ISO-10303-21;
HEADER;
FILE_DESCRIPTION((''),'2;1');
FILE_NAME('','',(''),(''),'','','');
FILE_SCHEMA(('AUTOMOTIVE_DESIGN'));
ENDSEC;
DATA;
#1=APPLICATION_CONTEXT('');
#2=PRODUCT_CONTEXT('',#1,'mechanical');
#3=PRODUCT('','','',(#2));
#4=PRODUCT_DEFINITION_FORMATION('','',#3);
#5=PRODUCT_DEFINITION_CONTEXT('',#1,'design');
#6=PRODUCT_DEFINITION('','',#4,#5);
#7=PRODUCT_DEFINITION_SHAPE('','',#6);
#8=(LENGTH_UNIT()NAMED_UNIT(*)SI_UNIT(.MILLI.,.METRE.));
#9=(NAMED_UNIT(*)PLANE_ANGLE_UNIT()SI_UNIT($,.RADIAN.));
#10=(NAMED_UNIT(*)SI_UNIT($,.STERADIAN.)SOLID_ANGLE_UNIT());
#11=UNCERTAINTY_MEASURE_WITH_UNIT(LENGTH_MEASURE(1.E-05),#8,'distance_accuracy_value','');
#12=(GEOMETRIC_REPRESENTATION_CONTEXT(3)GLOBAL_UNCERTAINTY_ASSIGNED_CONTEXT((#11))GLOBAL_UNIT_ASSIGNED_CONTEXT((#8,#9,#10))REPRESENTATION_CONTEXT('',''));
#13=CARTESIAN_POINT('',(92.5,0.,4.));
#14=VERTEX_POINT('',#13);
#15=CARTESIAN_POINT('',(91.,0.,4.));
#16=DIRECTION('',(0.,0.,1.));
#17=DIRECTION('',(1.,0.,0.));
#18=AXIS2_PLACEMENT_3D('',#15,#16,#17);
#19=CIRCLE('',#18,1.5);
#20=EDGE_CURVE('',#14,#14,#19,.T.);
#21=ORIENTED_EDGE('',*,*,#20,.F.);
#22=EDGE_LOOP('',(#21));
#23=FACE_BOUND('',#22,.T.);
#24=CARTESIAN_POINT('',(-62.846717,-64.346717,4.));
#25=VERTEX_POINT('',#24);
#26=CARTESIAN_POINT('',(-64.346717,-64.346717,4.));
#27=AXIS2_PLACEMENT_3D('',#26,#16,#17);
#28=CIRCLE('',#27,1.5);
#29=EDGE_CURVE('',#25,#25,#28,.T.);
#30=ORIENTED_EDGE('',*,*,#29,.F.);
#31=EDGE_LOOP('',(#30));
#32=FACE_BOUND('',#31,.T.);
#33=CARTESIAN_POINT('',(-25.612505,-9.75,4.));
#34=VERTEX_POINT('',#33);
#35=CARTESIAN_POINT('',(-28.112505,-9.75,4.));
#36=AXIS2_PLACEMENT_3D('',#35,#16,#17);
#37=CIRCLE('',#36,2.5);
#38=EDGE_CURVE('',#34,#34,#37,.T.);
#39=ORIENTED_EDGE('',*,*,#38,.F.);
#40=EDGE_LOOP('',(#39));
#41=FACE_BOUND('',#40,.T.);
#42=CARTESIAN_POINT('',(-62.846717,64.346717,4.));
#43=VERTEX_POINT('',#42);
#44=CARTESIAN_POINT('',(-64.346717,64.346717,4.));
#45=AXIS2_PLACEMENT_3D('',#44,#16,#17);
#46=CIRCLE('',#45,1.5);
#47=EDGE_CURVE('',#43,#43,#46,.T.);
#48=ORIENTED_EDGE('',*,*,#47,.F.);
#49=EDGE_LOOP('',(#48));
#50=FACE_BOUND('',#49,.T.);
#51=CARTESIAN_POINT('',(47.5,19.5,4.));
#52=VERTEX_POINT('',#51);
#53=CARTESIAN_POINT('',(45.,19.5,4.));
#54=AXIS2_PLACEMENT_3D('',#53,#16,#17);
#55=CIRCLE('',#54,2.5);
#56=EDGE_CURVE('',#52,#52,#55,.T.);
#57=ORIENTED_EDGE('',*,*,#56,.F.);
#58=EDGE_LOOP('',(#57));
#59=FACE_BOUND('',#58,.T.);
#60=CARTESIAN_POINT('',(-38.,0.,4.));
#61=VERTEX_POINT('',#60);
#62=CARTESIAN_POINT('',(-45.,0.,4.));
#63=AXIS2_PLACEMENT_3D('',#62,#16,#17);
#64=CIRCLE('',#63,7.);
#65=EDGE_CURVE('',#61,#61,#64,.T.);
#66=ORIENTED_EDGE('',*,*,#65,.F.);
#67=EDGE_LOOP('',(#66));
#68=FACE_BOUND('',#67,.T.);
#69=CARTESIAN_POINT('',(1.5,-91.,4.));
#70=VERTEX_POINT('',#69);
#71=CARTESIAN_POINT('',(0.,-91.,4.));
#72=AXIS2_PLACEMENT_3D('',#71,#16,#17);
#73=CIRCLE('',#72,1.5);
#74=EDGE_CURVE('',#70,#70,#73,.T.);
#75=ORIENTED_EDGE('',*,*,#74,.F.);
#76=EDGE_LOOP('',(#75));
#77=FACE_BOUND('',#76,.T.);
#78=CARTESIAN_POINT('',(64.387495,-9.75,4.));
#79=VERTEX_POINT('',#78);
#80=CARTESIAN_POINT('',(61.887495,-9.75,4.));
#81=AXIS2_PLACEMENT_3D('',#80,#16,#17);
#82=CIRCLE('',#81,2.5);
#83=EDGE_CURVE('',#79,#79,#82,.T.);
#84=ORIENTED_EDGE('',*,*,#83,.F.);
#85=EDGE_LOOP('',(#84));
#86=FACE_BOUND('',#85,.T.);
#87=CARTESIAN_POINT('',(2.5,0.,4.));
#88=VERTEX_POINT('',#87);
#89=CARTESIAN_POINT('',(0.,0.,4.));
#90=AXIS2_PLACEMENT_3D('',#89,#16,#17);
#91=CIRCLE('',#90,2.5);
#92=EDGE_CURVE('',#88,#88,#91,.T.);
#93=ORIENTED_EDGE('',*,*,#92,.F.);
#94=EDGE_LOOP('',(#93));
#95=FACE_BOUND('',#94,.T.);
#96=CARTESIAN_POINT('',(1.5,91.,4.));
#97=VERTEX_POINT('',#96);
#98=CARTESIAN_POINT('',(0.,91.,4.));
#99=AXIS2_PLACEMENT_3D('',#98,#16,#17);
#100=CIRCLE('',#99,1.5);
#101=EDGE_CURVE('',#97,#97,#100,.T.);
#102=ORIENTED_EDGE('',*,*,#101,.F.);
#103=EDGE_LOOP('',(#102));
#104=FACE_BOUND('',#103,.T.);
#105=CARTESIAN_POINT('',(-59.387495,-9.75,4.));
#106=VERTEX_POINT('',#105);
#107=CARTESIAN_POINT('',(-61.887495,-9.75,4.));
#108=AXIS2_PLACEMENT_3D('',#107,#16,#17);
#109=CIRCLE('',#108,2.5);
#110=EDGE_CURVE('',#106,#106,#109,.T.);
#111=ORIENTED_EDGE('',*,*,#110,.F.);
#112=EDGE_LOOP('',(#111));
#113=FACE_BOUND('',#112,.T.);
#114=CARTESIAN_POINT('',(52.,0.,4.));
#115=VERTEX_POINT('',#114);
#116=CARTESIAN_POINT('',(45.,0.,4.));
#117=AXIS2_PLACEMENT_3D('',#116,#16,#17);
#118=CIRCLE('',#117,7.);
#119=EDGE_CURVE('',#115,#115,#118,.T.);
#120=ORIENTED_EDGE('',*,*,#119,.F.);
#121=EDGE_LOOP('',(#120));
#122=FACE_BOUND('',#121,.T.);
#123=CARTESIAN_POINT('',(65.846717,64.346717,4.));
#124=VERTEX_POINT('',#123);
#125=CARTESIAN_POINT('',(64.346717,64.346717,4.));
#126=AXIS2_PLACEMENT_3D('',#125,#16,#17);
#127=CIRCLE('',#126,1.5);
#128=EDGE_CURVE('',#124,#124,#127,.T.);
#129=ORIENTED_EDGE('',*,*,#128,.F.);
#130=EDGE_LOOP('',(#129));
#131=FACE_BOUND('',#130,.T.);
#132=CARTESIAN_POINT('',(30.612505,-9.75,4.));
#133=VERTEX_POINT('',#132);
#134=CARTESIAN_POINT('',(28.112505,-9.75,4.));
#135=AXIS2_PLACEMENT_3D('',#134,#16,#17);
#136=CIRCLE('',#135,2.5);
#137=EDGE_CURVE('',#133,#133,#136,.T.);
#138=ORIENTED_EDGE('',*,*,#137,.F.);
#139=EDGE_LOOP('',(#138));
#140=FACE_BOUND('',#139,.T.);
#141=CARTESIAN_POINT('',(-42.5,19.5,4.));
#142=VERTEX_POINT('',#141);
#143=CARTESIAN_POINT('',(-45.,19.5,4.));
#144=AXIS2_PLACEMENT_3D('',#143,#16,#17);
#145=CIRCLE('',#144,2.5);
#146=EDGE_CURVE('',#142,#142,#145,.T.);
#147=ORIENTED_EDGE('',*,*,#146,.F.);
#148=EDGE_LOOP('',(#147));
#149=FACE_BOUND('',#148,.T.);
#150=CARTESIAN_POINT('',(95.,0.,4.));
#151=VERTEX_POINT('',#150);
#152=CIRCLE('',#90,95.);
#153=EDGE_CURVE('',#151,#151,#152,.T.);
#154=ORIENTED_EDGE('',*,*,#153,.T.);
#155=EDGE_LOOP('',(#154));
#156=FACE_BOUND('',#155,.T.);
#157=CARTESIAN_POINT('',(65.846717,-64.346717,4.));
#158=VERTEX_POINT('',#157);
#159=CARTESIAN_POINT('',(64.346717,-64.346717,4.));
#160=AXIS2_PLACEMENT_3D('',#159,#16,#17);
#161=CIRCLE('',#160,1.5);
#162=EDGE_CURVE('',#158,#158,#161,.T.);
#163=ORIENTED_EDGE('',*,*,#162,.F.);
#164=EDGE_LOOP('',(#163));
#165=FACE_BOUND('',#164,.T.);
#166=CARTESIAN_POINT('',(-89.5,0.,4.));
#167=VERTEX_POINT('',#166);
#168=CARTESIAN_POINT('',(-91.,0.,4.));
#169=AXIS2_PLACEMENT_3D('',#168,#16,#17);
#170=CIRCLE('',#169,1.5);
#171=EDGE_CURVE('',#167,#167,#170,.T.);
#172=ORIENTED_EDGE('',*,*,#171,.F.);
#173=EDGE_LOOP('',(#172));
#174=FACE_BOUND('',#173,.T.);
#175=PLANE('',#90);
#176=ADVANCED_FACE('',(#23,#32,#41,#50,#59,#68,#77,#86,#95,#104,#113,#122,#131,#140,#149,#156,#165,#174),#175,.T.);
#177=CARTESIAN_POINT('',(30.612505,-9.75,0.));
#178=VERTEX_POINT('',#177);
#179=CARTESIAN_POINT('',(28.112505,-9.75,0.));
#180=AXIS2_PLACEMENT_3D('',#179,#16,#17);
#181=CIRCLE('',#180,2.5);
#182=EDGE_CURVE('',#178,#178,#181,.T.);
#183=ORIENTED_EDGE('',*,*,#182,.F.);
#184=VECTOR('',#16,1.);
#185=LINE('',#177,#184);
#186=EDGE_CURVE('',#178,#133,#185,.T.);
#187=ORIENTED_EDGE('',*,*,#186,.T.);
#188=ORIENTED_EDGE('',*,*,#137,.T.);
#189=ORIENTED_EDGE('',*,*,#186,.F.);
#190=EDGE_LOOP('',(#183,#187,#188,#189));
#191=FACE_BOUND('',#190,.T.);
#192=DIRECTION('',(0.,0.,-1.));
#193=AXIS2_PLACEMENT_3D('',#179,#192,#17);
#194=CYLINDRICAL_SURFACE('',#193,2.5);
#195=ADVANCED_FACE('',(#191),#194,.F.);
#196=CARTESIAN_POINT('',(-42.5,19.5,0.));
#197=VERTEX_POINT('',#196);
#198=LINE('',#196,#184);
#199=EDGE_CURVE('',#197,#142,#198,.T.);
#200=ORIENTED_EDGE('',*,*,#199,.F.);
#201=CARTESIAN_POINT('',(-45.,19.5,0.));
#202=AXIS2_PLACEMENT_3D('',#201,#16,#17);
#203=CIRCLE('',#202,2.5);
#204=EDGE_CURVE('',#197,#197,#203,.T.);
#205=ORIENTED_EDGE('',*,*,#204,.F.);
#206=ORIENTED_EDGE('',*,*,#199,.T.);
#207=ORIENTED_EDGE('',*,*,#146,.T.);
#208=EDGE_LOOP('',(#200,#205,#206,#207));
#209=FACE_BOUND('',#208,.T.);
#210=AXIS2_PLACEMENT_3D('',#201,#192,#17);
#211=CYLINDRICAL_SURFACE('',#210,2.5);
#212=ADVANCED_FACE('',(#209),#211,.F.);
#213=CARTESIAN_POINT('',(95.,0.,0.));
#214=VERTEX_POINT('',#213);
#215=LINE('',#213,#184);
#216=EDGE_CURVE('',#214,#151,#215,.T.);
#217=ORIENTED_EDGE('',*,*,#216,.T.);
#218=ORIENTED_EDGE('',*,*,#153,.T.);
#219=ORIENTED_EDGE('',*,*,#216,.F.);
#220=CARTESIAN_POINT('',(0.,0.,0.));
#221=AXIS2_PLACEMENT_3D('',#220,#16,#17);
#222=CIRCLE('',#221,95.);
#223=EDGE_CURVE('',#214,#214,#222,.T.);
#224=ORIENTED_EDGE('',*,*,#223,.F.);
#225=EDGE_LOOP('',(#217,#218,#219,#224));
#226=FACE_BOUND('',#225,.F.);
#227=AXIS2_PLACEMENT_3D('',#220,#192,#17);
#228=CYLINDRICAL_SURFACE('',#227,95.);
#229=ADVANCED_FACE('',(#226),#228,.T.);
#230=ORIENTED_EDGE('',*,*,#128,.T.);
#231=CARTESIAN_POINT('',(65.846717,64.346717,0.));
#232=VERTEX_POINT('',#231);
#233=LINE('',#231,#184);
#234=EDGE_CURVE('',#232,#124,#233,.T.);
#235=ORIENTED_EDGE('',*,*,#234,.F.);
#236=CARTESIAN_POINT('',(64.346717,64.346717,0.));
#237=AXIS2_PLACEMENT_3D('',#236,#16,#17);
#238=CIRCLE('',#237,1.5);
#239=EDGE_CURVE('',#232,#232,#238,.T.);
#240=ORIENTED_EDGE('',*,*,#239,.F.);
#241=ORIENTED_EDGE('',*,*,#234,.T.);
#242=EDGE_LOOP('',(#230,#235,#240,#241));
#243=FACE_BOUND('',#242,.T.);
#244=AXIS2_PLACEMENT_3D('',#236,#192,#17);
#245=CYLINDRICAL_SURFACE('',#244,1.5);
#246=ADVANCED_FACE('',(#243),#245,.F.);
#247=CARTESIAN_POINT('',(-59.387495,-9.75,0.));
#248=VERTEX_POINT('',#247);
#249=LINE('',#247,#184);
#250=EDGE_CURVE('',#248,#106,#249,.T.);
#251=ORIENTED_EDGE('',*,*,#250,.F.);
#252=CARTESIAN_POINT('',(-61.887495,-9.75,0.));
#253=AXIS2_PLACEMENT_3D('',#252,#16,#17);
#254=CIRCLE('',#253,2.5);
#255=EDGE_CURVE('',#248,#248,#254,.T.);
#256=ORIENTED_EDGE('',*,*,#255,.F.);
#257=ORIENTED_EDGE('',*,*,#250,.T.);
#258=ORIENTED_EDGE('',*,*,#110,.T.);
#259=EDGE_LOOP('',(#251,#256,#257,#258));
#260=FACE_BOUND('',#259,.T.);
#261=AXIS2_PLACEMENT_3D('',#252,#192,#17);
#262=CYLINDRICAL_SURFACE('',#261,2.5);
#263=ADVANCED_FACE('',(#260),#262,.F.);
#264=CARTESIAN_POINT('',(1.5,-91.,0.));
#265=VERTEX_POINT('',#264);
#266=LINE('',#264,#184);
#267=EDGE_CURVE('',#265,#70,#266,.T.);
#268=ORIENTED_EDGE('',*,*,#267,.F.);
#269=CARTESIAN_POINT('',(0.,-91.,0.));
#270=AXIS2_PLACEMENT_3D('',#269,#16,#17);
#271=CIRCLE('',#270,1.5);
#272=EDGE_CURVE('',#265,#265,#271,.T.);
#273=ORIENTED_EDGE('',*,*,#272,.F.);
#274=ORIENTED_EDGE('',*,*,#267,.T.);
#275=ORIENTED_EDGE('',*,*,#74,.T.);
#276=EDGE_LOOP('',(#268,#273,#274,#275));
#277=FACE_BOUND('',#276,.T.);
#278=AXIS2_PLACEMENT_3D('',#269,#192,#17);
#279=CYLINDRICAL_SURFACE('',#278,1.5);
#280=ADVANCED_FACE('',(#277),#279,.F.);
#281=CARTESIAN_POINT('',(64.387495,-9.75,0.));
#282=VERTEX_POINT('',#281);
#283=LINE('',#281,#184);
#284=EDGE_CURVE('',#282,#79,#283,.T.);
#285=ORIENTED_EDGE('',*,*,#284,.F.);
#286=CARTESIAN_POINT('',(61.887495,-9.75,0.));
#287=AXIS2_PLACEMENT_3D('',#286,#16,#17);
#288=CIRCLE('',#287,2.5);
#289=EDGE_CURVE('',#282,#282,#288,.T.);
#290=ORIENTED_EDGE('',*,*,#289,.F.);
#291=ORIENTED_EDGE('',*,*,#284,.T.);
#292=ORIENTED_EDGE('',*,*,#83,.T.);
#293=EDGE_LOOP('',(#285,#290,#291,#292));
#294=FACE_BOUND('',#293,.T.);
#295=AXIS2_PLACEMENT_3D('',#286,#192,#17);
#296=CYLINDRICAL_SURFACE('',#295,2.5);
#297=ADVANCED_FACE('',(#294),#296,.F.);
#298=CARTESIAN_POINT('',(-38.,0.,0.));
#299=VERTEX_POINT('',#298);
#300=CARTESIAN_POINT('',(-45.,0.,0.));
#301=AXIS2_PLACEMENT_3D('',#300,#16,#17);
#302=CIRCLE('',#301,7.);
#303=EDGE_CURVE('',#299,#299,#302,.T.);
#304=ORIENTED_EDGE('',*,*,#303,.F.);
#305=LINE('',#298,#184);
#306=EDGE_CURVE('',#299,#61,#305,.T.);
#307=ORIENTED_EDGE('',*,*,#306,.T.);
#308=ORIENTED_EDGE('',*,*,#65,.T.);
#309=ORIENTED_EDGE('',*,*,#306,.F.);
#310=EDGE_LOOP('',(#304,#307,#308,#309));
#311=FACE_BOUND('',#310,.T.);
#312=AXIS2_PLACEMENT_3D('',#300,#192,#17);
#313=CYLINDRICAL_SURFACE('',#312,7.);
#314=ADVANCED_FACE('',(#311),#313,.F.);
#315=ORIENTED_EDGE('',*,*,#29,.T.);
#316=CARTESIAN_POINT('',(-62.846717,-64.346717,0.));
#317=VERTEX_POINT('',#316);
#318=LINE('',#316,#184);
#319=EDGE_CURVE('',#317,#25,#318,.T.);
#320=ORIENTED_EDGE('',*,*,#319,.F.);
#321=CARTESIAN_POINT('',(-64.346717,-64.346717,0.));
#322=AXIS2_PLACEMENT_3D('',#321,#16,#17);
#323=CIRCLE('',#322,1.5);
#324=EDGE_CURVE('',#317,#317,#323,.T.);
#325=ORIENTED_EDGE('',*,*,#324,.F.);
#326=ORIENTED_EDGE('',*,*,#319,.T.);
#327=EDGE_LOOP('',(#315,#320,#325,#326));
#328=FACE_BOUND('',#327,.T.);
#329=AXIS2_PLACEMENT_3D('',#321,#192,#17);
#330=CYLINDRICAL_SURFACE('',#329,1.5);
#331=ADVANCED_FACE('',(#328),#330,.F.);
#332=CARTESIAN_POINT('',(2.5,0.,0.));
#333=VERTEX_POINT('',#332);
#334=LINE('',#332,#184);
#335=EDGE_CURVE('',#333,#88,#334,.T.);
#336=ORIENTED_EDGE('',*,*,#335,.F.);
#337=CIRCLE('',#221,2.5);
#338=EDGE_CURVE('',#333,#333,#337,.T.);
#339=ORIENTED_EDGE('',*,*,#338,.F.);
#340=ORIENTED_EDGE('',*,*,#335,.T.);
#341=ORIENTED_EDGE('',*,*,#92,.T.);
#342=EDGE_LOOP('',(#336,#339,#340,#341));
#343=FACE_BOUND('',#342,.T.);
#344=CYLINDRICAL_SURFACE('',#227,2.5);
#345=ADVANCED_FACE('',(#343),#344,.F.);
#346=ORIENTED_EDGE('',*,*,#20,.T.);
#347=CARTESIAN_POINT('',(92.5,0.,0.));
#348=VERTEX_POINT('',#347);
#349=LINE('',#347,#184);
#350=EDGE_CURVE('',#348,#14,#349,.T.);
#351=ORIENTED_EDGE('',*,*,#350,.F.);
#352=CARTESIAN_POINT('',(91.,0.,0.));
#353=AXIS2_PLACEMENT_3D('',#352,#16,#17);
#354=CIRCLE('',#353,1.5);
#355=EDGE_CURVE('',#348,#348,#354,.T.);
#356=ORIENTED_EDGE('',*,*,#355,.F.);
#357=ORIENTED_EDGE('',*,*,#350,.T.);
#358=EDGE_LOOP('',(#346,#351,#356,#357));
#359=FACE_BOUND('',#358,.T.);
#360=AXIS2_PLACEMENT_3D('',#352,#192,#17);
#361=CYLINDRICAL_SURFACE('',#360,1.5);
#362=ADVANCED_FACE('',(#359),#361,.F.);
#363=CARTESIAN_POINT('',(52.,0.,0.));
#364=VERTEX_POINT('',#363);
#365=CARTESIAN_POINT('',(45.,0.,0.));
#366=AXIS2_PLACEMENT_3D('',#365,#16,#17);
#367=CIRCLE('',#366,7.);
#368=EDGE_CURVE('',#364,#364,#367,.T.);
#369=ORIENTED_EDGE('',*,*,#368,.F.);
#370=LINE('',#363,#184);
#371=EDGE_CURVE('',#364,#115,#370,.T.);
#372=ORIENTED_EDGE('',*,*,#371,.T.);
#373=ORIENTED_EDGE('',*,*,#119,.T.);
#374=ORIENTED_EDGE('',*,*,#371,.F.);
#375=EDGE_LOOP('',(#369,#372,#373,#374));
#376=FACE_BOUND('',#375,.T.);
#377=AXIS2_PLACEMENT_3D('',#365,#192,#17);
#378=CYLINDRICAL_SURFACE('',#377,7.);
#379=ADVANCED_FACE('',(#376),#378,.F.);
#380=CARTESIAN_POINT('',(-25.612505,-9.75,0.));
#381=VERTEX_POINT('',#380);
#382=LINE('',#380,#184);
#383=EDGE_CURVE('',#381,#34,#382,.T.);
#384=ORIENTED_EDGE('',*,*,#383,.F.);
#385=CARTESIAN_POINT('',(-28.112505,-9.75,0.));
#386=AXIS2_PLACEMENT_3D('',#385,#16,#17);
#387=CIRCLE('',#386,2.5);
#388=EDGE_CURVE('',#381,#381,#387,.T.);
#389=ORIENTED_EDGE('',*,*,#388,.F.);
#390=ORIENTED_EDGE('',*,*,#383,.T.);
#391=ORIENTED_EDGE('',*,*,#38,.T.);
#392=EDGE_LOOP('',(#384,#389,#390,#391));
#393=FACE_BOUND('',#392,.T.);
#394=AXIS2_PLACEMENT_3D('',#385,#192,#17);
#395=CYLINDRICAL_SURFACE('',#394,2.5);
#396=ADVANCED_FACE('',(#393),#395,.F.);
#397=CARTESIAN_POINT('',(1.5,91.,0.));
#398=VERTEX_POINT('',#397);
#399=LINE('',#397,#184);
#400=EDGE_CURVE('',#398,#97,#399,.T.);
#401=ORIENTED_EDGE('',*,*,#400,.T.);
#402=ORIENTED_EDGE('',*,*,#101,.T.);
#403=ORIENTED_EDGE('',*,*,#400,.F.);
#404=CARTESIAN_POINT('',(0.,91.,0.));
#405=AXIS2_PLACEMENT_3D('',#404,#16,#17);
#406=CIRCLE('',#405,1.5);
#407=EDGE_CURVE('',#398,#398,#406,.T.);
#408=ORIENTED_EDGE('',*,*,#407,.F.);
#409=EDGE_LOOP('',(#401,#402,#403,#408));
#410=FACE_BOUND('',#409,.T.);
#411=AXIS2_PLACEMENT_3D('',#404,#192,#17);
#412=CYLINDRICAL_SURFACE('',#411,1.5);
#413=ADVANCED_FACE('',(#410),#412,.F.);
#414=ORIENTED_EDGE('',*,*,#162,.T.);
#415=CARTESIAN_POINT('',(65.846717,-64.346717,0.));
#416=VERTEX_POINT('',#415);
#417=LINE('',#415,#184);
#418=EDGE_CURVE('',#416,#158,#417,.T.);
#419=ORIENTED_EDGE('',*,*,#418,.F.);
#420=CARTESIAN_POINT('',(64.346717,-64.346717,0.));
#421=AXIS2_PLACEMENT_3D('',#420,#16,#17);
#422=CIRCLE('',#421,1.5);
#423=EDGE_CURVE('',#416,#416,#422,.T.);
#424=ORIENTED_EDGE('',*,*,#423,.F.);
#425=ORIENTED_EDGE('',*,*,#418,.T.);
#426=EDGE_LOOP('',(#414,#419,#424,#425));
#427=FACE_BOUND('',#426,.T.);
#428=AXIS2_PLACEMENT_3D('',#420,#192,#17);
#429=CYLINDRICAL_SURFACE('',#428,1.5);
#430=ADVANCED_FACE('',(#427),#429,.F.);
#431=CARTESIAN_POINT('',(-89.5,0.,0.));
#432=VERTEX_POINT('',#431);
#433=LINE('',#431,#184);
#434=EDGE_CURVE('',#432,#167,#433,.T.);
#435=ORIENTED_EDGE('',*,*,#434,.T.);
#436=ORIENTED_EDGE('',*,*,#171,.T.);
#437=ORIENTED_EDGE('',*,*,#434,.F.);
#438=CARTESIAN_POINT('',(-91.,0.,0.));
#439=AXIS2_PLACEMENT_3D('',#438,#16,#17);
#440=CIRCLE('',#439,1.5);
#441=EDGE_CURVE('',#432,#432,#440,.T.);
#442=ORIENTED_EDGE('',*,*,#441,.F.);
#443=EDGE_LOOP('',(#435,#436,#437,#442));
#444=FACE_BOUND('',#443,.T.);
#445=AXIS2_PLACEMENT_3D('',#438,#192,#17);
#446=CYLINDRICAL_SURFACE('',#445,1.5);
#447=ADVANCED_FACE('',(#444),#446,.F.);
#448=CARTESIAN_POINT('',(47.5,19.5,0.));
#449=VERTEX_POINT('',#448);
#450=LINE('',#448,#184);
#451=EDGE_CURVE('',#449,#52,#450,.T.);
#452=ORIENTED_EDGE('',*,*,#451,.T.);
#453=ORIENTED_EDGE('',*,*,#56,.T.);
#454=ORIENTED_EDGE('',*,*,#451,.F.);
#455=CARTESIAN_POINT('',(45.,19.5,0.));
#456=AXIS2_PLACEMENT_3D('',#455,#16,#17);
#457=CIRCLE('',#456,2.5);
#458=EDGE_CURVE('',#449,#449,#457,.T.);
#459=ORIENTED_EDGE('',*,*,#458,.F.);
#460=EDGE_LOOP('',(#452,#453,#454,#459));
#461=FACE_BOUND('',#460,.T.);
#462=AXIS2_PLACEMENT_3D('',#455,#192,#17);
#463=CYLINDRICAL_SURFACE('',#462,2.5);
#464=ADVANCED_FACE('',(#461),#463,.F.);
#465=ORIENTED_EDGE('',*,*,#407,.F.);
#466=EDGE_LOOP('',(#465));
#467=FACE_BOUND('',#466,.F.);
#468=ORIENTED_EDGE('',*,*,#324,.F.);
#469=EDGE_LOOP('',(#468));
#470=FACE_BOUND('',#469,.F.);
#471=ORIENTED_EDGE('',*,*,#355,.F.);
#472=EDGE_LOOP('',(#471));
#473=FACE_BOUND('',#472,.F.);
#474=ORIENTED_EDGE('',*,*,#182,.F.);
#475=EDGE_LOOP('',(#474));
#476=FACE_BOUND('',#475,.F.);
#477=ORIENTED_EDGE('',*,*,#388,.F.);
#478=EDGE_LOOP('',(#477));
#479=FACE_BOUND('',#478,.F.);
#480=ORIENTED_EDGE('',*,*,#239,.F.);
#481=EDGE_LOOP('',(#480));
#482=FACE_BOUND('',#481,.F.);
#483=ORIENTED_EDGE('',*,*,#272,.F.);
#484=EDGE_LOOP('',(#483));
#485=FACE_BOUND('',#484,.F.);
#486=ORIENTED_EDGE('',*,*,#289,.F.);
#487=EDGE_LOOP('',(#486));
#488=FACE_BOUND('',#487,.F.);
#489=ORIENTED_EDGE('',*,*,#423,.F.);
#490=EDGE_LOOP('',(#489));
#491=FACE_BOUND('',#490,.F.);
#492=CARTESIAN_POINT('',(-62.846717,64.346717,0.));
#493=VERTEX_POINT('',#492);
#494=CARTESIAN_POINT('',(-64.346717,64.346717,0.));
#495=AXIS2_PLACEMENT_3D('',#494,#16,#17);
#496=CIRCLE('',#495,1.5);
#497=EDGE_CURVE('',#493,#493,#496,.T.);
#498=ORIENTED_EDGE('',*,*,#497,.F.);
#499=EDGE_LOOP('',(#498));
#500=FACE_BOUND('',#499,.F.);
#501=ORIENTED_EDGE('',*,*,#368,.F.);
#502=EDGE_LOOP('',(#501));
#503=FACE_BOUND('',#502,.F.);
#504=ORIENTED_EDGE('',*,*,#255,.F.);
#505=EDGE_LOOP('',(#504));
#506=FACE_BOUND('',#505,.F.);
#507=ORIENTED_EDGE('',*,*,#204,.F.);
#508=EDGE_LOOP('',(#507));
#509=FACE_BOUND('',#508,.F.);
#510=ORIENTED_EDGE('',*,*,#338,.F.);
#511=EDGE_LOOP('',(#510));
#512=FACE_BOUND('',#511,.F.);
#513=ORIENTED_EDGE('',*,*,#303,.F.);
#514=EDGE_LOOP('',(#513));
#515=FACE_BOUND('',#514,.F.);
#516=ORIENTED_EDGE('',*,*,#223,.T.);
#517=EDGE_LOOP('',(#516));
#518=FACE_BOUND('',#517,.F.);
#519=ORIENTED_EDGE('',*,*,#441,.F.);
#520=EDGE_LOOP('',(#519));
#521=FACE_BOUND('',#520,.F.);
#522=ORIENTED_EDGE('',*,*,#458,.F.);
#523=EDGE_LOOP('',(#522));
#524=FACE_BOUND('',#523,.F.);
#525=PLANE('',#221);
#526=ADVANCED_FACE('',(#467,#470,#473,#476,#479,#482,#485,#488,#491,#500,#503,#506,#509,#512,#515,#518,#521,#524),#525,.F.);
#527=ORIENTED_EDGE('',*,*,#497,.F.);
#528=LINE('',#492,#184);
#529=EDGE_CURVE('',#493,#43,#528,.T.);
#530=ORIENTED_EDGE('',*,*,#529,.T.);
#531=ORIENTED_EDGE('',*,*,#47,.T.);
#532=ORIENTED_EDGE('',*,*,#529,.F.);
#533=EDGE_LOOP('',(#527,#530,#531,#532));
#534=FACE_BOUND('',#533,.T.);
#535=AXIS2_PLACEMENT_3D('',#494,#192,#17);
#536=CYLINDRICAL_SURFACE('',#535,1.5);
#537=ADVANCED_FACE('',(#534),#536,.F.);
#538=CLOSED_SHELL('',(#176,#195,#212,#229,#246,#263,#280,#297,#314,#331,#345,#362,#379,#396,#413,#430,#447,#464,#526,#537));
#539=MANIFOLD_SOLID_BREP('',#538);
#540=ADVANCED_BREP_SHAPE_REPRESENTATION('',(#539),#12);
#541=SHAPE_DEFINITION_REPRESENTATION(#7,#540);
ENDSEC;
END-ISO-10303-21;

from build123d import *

# Parameters (mm, degrees)
SKETCH_R   = 95
SKETCH_R_2 = 7
SKETCH_R_3 = 1.5
SKETCH_R_4 = 2.5
PAD_DEPTH  = 4


with BuildPart() as part:
    # Sketch → Pad (new body)
    with BuildSketch(Plane.XY):
        Circle(SKETCH_R)
        with Locations((-45, 0)):
            Circle(SKETCH_R_2, mode=Mode.SUBTRACT)
        with Locations((45, 0)):
            Circle(SKETCH_R_2, mode=Mode.SUBTRACT)
        with Locations((64.346717, 64.346717)):
            Circle(SKETCH_R_3, mode=Mode.SUBTRACT)
        with Locations((-64.346717, 64.346717)):
            Circle(SKETCH_R_3, mode=Mode.SUBTRACT)
        with Locations((-64.346717, -64.346717)):
            Circle(SKETCH_R_3, mode=Mode.SUBTRACT)
        with Locations((64.346717, -64.346717)):
            Circle(SKETCH_R_3, mode=Mode.SUBTRACT)
        with Locations((-45, 19.5)):
            Circle(SKETCH_R_4, mode=Mode.SUBTRACT)
        with Locations((-28.112505, -9.75)):
            Circle(SKETCH_R_4, mode=Mode.SUBTRACT)
        with Locations((-61.887495, -9.75)):
            Circle(SKETCH_R_4, mode=Mode.SUBTRACT)
        with Locations((45, 19.5)):
            Circle(SKETCH_R_4, mode=Mode.SUBTRACT)
        with Locations((28.112505, -9.75)):
            Circle(SKETCH_R_4, mode=Mode.SUBTRACT)
        with Locations((61.887495, -9.75)):
            Circle(SKETCH_R_4, mode=Mode.SUBTRACT)
        Circle(SKETCH_R_4, mode=Mode.SUBTRACT)
        with Locations((91, 0)):
            Circle(SKETCH_R_3, mode=Mode.SUBTRACT)
        with Locations((-91, 0)):
            Circle(SKETCH_R_3, mode=Mode.SUBTRACT)
        with Locations((0, 91)):
            Circle(SKETCH_R_3, mode=Mode.SUBTRACT)
        with Locations((0, -91)):
            Circle(SKETCH_R_3, mode=Mode.SUBTRACT)
    extrude(amount=PAD_DEPTH)


solid = part.part
